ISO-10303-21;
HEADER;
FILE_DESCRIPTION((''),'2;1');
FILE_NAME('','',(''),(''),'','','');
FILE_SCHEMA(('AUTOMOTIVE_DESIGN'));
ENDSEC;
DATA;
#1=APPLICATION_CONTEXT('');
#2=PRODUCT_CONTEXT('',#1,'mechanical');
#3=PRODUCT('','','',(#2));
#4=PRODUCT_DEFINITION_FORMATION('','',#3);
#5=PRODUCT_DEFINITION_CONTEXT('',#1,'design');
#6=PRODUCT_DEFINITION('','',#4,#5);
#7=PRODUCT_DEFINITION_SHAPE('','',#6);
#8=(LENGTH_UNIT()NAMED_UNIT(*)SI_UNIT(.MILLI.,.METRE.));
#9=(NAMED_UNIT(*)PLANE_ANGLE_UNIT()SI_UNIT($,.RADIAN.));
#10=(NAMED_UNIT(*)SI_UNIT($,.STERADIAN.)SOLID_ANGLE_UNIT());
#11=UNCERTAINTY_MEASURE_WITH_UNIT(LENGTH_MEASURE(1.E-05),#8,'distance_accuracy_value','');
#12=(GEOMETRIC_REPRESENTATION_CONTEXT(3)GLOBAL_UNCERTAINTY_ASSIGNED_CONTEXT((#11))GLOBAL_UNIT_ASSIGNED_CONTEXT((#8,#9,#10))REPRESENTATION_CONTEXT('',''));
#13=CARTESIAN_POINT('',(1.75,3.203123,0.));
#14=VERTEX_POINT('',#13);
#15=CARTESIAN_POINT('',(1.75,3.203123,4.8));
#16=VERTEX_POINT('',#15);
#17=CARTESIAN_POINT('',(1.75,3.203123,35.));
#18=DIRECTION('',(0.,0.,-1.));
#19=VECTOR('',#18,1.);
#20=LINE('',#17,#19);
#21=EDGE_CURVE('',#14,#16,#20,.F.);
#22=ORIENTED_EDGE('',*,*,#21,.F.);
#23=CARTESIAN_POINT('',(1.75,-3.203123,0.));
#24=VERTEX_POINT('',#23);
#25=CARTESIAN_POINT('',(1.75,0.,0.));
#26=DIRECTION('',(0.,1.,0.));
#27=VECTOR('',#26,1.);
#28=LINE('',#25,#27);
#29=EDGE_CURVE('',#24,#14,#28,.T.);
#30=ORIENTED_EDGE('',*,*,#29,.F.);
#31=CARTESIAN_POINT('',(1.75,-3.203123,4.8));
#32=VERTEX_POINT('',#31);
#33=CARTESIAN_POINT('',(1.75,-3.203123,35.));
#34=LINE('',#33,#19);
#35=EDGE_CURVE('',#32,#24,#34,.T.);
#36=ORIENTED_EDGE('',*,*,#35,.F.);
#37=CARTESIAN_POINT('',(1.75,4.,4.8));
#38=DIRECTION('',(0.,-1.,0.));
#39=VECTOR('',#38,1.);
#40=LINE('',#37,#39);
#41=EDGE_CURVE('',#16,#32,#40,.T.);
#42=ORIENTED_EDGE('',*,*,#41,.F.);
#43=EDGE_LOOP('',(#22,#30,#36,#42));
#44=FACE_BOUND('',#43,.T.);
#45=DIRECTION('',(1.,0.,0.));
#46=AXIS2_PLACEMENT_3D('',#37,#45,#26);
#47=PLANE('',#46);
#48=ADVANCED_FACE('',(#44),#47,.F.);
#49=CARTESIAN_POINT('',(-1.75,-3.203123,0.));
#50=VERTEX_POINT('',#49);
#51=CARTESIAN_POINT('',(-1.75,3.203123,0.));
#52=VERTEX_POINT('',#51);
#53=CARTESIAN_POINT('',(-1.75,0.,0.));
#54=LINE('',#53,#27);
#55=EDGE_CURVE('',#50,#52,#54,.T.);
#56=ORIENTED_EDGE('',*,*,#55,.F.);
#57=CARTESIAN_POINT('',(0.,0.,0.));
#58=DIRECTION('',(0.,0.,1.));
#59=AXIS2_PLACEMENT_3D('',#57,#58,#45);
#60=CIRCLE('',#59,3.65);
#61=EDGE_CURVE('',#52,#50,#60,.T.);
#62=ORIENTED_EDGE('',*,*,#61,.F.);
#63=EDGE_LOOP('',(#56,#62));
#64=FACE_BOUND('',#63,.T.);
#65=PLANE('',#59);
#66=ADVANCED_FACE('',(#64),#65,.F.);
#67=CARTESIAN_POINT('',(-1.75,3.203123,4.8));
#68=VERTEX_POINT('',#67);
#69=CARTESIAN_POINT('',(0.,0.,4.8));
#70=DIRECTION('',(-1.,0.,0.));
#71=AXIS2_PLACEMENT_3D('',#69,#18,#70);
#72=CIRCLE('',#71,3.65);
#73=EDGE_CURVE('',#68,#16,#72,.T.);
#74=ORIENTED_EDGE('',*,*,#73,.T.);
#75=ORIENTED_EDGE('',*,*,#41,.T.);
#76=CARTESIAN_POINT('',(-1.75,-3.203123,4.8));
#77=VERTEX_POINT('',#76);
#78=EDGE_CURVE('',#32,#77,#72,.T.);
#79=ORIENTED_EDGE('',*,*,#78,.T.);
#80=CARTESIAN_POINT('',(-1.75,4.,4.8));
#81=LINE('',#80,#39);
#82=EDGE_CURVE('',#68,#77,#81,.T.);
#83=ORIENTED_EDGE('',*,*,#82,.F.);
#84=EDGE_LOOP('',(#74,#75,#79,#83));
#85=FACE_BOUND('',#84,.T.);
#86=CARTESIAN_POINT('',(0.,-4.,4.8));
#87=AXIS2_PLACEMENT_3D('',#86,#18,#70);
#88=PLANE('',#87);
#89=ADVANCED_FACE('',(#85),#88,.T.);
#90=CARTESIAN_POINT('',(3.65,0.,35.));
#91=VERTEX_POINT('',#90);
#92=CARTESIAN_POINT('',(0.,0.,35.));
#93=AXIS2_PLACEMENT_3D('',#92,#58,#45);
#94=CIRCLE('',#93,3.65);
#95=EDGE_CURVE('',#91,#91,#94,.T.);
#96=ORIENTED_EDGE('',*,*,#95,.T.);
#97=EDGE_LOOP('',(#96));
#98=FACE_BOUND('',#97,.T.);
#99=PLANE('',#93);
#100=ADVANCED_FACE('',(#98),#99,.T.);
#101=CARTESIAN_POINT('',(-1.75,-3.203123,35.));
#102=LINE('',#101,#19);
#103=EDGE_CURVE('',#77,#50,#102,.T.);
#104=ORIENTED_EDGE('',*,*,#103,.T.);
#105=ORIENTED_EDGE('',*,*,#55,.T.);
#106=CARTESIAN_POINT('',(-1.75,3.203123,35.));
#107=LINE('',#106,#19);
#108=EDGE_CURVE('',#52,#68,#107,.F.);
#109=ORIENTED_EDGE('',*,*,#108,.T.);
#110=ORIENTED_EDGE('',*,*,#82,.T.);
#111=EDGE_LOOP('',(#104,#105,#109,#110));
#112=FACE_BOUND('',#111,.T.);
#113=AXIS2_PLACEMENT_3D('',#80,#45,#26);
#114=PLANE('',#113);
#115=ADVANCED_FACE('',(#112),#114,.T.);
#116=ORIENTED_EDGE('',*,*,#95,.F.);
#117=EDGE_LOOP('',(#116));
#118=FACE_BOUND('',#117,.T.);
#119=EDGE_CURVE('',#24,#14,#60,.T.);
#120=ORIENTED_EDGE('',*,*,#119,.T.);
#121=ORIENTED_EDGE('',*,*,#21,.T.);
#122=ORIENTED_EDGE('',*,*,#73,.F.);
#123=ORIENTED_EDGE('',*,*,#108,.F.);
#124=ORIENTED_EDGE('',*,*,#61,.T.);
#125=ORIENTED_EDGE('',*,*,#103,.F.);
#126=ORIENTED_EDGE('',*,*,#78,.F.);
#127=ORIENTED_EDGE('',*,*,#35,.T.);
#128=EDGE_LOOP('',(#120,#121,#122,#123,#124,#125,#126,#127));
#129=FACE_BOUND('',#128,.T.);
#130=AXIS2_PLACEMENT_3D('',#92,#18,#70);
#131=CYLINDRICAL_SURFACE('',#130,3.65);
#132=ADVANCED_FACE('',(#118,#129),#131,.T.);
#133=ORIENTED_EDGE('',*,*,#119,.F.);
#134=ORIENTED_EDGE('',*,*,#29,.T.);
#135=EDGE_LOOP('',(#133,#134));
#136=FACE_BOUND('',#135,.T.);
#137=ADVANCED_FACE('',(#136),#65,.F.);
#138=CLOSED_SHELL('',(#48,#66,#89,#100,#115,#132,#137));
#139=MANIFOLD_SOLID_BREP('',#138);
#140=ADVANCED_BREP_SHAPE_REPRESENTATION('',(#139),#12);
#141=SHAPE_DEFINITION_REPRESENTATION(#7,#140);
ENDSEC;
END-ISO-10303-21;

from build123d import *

# Parameters (mm, degrees)
ESQUISSE1_R             = 3.65
BOSS_EXTRU_1_DEPTH      = 35
ENL_V_MAT_EXTRU_1_DEPTH = 4.8


with BuildPart() as part:
    # Esquisse1 → Boss.-Extru.1 (new body)
    with BuildSketch(Plane.XY):
        Circle(ESQUISSE1_R)
    extrude(amount=BOSS_EXTRU_1_DEPTH)

    # Esquisse2 → Enlèv. mat.-Extru.1 (cut)
    with BuildSketch(Plane(origin=(0, 0, 0), x_dir=(-1, 0, 0), z_dir=(0, 0, -1))):
        with BuildLine():
            Line((1.75, 4), (1.75, -4))
            ThreePointArc((1.75, -4), (0, -5.75), (-1.75, -4))
            Line((-1.75, -4), (-1.75, 4))
            ThreePointArc((-1.75, 4), (0, 5.75), (1.75, 4))
        make_face()
    extrude(amount=-ENL_V_MAT_EXTRU_1_DEPTH, mode=Mode.SUBTRACT)


solid = part.part
